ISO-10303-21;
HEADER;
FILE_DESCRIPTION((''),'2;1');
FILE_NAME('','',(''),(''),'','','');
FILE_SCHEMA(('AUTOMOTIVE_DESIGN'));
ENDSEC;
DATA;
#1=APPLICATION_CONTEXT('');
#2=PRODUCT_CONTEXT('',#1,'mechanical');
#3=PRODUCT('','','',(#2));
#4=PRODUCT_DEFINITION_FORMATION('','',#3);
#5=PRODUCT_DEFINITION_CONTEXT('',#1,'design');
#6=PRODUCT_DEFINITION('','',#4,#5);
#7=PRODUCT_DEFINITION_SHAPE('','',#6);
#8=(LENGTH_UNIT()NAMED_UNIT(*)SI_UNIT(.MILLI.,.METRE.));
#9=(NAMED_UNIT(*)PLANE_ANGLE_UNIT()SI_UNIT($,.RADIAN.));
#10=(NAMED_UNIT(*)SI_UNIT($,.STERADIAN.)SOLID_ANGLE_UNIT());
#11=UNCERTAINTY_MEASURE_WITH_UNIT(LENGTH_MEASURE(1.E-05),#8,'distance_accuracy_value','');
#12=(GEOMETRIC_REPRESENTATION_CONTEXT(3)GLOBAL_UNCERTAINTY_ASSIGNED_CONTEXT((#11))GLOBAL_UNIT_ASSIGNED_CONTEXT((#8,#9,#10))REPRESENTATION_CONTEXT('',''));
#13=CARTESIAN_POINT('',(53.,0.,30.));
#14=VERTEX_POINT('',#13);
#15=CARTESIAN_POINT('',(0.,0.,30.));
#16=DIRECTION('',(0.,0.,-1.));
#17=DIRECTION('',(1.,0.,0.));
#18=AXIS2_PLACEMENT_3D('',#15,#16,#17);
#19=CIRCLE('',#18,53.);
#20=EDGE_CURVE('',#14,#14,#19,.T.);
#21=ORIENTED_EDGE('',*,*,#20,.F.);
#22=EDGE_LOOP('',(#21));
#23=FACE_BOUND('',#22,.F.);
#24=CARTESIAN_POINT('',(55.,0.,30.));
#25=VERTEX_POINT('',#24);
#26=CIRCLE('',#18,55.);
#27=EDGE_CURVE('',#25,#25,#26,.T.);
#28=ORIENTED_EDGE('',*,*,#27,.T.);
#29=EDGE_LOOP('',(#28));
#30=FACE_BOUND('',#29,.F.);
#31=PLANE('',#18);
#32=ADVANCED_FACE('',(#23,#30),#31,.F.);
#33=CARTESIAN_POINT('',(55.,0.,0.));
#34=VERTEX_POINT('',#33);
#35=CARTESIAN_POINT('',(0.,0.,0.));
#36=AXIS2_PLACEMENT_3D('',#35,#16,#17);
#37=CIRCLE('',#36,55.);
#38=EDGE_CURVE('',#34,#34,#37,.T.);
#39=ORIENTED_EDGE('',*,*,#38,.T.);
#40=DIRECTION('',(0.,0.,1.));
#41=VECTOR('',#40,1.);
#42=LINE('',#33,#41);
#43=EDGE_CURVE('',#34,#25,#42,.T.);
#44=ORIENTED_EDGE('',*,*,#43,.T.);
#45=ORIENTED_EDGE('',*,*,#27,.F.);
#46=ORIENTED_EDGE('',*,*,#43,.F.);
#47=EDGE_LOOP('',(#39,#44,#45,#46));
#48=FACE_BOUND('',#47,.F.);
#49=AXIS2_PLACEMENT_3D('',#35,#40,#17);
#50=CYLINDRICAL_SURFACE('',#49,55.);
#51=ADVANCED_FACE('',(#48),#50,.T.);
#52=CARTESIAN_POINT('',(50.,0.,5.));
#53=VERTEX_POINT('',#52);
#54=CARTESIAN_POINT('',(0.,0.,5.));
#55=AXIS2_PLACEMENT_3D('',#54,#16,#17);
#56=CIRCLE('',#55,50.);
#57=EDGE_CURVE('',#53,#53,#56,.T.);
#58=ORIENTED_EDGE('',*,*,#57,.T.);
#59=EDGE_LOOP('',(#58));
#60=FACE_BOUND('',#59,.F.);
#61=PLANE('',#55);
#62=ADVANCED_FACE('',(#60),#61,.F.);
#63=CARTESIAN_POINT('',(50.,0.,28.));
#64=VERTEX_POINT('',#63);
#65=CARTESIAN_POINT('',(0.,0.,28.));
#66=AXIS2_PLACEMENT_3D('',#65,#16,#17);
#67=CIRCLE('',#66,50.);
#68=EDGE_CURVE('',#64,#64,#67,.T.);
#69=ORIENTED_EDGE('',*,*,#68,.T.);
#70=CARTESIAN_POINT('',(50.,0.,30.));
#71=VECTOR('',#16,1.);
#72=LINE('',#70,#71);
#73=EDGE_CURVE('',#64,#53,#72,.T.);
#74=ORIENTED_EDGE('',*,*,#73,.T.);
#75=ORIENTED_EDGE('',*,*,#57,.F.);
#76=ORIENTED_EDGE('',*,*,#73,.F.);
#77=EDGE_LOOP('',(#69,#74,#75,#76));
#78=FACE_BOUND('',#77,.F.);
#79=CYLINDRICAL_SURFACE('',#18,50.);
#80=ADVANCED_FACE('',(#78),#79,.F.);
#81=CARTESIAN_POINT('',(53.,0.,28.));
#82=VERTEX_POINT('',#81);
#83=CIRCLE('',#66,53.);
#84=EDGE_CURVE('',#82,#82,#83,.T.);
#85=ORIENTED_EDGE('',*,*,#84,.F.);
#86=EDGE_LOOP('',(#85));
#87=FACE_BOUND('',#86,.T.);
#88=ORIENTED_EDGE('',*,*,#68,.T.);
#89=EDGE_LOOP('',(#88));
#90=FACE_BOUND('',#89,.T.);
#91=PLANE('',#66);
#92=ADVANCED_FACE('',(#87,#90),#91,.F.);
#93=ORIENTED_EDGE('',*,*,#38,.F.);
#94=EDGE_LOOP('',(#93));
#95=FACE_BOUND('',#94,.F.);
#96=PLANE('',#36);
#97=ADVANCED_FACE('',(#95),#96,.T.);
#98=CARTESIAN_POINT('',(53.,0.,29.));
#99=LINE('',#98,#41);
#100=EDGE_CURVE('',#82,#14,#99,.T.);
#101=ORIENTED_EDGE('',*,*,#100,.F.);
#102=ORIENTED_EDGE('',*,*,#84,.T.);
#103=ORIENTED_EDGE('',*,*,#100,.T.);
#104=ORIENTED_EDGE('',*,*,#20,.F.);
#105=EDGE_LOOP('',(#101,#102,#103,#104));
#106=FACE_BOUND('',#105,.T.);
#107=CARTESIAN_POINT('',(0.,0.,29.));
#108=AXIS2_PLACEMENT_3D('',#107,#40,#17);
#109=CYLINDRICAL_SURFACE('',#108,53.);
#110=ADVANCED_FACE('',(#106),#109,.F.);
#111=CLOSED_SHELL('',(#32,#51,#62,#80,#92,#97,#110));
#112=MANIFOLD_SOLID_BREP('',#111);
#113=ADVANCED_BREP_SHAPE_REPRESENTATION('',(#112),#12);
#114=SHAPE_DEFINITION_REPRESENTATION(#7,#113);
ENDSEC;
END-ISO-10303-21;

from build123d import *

# Parameters (mm, degrees)
F0_W = 3
F0_H = 2


with BuildPart() as f1:
    # F0 (on Front) → F1 (revolve)
    with BuildSketch(Plane.XZ):
        Polygon((0, 5), (0, 0), (55, 0), (55, 30), (53, 30), (53, 28), (50, 28), (50, 5), align=None)
        with Locations((51.5, 29)):
            Rectangle(F0_W, F0_H)
    revolve(axis=Axis((0, 0, 2.5), (0, 0, -1)))

    # F0 (on Front) → F2 (revolve, cut)
    with BuildSketch(Plane.XZ):
        with Locations((51.5, 29)):
            Rectangle(F0_W, F0_H)
    revolve(axis=Axis((0, 0, 2.5), (0, 0, -1)), mode=Mode.SUBTRACT)


solid = f1.part
